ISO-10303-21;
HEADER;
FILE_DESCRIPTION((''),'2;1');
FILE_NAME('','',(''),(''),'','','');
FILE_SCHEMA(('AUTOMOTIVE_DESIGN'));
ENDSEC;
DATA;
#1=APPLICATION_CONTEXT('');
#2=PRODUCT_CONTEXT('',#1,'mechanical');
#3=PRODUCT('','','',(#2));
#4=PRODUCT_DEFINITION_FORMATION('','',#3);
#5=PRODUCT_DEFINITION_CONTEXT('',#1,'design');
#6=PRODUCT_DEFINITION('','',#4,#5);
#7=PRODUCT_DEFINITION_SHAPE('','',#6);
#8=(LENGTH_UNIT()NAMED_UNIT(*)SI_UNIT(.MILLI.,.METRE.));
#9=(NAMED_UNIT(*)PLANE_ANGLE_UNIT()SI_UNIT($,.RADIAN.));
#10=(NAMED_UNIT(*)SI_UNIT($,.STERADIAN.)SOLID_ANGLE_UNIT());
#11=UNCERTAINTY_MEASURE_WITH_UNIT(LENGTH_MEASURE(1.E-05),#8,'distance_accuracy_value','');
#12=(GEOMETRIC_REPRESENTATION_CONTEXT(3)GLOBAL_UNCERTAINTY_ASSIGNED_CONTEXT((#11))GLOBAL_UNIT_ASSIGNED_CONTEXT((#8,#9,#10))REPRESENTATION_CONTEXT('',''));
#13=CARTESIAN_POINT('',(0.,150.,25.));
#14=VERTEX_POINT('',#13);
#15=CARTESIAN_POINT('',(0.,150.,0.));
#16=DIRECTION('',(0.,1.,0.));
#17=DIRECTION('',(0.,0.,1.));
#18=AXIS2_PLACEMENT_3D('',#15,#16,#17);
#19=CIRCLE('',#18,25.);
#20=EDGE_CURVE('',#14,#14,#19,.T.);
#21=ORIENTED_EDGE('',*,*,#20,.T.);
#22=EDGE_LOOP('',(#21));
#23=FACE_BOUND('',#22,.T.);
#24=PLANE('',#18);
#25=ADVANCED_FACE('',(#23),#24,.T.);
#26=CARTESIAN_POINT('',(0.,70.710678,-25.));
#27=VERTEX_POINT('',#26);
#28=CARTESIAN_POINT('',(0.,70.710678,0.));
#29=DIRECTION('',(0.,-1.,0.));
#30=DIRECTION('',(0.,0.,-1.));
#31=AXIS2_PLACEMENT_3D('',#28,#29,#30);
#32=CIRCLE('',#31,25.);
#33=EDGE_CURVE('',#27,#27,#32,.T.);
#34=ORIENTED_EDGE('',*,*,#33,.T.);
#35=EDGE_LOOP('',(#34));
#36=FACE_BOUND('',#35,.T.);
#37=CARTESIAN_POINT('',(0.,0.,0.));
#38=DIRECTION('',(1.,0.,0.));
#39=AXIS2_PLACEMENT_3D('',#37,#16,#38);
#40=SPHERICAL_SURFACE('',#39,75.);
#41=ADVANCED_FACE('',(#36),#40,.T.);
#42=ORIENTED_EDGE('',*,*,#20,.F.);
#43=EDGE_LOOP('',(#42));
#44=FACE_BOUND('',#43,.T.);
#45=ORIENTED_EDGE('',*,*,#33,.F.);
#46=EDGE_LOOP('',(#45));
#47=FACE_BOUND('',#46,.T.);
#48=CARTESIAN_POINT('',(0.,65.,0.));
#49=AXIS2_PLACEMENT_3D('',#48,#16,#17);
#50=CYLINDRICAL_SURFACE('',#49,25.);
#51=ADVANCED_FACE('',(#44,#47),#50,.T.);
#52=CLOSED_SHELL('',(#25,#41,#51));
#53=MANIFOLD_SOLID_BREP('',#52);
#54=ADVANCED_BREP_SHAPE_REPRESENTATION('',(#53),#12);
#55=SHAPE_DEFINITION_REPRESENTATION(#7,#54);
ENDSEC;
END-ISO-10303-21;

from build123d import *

# Parameters (mm, degrees)
BOSS_EXTRUDE1_DEPTH      = 75
BOSS_EXTRUDE1_DEPTH_BACK = 10
SKETCH2_R                = 25


with BuildPart() as part:
    # Sketch1 → Revolve1 (revolve)
    with BuildSketch(Plane.XY):
        with BuildLine():
            Line((0, 75), (0, -75))
            ThreePointArc((0, -75), (75, 0), (0, 75))
        make_face()
    revolve(axis=Axis((0, 75, 0), (0, -1, 0)))

    # Sketch2 → Boss-Extrude1 (add, two sides: drawn at the far end of the back side and taken through both)
    with BuildSketch(Plane(origin=(0, 75, 0), x_dir=(1, 0, 0), z_dir=(0, 1, 0)).offset(-BOSS_EXTRUDE1_DEPTH_BACK)):
        with Locations(Location((0, 0, 0), (0, 0, 270))):
            Circle(SKETCH2_R)
    extrude(amount=BOSS_EXTRUDE1_DEPTH + BOSS_EXTRUDE1_DEPTH_BACK)


solid = part.part
